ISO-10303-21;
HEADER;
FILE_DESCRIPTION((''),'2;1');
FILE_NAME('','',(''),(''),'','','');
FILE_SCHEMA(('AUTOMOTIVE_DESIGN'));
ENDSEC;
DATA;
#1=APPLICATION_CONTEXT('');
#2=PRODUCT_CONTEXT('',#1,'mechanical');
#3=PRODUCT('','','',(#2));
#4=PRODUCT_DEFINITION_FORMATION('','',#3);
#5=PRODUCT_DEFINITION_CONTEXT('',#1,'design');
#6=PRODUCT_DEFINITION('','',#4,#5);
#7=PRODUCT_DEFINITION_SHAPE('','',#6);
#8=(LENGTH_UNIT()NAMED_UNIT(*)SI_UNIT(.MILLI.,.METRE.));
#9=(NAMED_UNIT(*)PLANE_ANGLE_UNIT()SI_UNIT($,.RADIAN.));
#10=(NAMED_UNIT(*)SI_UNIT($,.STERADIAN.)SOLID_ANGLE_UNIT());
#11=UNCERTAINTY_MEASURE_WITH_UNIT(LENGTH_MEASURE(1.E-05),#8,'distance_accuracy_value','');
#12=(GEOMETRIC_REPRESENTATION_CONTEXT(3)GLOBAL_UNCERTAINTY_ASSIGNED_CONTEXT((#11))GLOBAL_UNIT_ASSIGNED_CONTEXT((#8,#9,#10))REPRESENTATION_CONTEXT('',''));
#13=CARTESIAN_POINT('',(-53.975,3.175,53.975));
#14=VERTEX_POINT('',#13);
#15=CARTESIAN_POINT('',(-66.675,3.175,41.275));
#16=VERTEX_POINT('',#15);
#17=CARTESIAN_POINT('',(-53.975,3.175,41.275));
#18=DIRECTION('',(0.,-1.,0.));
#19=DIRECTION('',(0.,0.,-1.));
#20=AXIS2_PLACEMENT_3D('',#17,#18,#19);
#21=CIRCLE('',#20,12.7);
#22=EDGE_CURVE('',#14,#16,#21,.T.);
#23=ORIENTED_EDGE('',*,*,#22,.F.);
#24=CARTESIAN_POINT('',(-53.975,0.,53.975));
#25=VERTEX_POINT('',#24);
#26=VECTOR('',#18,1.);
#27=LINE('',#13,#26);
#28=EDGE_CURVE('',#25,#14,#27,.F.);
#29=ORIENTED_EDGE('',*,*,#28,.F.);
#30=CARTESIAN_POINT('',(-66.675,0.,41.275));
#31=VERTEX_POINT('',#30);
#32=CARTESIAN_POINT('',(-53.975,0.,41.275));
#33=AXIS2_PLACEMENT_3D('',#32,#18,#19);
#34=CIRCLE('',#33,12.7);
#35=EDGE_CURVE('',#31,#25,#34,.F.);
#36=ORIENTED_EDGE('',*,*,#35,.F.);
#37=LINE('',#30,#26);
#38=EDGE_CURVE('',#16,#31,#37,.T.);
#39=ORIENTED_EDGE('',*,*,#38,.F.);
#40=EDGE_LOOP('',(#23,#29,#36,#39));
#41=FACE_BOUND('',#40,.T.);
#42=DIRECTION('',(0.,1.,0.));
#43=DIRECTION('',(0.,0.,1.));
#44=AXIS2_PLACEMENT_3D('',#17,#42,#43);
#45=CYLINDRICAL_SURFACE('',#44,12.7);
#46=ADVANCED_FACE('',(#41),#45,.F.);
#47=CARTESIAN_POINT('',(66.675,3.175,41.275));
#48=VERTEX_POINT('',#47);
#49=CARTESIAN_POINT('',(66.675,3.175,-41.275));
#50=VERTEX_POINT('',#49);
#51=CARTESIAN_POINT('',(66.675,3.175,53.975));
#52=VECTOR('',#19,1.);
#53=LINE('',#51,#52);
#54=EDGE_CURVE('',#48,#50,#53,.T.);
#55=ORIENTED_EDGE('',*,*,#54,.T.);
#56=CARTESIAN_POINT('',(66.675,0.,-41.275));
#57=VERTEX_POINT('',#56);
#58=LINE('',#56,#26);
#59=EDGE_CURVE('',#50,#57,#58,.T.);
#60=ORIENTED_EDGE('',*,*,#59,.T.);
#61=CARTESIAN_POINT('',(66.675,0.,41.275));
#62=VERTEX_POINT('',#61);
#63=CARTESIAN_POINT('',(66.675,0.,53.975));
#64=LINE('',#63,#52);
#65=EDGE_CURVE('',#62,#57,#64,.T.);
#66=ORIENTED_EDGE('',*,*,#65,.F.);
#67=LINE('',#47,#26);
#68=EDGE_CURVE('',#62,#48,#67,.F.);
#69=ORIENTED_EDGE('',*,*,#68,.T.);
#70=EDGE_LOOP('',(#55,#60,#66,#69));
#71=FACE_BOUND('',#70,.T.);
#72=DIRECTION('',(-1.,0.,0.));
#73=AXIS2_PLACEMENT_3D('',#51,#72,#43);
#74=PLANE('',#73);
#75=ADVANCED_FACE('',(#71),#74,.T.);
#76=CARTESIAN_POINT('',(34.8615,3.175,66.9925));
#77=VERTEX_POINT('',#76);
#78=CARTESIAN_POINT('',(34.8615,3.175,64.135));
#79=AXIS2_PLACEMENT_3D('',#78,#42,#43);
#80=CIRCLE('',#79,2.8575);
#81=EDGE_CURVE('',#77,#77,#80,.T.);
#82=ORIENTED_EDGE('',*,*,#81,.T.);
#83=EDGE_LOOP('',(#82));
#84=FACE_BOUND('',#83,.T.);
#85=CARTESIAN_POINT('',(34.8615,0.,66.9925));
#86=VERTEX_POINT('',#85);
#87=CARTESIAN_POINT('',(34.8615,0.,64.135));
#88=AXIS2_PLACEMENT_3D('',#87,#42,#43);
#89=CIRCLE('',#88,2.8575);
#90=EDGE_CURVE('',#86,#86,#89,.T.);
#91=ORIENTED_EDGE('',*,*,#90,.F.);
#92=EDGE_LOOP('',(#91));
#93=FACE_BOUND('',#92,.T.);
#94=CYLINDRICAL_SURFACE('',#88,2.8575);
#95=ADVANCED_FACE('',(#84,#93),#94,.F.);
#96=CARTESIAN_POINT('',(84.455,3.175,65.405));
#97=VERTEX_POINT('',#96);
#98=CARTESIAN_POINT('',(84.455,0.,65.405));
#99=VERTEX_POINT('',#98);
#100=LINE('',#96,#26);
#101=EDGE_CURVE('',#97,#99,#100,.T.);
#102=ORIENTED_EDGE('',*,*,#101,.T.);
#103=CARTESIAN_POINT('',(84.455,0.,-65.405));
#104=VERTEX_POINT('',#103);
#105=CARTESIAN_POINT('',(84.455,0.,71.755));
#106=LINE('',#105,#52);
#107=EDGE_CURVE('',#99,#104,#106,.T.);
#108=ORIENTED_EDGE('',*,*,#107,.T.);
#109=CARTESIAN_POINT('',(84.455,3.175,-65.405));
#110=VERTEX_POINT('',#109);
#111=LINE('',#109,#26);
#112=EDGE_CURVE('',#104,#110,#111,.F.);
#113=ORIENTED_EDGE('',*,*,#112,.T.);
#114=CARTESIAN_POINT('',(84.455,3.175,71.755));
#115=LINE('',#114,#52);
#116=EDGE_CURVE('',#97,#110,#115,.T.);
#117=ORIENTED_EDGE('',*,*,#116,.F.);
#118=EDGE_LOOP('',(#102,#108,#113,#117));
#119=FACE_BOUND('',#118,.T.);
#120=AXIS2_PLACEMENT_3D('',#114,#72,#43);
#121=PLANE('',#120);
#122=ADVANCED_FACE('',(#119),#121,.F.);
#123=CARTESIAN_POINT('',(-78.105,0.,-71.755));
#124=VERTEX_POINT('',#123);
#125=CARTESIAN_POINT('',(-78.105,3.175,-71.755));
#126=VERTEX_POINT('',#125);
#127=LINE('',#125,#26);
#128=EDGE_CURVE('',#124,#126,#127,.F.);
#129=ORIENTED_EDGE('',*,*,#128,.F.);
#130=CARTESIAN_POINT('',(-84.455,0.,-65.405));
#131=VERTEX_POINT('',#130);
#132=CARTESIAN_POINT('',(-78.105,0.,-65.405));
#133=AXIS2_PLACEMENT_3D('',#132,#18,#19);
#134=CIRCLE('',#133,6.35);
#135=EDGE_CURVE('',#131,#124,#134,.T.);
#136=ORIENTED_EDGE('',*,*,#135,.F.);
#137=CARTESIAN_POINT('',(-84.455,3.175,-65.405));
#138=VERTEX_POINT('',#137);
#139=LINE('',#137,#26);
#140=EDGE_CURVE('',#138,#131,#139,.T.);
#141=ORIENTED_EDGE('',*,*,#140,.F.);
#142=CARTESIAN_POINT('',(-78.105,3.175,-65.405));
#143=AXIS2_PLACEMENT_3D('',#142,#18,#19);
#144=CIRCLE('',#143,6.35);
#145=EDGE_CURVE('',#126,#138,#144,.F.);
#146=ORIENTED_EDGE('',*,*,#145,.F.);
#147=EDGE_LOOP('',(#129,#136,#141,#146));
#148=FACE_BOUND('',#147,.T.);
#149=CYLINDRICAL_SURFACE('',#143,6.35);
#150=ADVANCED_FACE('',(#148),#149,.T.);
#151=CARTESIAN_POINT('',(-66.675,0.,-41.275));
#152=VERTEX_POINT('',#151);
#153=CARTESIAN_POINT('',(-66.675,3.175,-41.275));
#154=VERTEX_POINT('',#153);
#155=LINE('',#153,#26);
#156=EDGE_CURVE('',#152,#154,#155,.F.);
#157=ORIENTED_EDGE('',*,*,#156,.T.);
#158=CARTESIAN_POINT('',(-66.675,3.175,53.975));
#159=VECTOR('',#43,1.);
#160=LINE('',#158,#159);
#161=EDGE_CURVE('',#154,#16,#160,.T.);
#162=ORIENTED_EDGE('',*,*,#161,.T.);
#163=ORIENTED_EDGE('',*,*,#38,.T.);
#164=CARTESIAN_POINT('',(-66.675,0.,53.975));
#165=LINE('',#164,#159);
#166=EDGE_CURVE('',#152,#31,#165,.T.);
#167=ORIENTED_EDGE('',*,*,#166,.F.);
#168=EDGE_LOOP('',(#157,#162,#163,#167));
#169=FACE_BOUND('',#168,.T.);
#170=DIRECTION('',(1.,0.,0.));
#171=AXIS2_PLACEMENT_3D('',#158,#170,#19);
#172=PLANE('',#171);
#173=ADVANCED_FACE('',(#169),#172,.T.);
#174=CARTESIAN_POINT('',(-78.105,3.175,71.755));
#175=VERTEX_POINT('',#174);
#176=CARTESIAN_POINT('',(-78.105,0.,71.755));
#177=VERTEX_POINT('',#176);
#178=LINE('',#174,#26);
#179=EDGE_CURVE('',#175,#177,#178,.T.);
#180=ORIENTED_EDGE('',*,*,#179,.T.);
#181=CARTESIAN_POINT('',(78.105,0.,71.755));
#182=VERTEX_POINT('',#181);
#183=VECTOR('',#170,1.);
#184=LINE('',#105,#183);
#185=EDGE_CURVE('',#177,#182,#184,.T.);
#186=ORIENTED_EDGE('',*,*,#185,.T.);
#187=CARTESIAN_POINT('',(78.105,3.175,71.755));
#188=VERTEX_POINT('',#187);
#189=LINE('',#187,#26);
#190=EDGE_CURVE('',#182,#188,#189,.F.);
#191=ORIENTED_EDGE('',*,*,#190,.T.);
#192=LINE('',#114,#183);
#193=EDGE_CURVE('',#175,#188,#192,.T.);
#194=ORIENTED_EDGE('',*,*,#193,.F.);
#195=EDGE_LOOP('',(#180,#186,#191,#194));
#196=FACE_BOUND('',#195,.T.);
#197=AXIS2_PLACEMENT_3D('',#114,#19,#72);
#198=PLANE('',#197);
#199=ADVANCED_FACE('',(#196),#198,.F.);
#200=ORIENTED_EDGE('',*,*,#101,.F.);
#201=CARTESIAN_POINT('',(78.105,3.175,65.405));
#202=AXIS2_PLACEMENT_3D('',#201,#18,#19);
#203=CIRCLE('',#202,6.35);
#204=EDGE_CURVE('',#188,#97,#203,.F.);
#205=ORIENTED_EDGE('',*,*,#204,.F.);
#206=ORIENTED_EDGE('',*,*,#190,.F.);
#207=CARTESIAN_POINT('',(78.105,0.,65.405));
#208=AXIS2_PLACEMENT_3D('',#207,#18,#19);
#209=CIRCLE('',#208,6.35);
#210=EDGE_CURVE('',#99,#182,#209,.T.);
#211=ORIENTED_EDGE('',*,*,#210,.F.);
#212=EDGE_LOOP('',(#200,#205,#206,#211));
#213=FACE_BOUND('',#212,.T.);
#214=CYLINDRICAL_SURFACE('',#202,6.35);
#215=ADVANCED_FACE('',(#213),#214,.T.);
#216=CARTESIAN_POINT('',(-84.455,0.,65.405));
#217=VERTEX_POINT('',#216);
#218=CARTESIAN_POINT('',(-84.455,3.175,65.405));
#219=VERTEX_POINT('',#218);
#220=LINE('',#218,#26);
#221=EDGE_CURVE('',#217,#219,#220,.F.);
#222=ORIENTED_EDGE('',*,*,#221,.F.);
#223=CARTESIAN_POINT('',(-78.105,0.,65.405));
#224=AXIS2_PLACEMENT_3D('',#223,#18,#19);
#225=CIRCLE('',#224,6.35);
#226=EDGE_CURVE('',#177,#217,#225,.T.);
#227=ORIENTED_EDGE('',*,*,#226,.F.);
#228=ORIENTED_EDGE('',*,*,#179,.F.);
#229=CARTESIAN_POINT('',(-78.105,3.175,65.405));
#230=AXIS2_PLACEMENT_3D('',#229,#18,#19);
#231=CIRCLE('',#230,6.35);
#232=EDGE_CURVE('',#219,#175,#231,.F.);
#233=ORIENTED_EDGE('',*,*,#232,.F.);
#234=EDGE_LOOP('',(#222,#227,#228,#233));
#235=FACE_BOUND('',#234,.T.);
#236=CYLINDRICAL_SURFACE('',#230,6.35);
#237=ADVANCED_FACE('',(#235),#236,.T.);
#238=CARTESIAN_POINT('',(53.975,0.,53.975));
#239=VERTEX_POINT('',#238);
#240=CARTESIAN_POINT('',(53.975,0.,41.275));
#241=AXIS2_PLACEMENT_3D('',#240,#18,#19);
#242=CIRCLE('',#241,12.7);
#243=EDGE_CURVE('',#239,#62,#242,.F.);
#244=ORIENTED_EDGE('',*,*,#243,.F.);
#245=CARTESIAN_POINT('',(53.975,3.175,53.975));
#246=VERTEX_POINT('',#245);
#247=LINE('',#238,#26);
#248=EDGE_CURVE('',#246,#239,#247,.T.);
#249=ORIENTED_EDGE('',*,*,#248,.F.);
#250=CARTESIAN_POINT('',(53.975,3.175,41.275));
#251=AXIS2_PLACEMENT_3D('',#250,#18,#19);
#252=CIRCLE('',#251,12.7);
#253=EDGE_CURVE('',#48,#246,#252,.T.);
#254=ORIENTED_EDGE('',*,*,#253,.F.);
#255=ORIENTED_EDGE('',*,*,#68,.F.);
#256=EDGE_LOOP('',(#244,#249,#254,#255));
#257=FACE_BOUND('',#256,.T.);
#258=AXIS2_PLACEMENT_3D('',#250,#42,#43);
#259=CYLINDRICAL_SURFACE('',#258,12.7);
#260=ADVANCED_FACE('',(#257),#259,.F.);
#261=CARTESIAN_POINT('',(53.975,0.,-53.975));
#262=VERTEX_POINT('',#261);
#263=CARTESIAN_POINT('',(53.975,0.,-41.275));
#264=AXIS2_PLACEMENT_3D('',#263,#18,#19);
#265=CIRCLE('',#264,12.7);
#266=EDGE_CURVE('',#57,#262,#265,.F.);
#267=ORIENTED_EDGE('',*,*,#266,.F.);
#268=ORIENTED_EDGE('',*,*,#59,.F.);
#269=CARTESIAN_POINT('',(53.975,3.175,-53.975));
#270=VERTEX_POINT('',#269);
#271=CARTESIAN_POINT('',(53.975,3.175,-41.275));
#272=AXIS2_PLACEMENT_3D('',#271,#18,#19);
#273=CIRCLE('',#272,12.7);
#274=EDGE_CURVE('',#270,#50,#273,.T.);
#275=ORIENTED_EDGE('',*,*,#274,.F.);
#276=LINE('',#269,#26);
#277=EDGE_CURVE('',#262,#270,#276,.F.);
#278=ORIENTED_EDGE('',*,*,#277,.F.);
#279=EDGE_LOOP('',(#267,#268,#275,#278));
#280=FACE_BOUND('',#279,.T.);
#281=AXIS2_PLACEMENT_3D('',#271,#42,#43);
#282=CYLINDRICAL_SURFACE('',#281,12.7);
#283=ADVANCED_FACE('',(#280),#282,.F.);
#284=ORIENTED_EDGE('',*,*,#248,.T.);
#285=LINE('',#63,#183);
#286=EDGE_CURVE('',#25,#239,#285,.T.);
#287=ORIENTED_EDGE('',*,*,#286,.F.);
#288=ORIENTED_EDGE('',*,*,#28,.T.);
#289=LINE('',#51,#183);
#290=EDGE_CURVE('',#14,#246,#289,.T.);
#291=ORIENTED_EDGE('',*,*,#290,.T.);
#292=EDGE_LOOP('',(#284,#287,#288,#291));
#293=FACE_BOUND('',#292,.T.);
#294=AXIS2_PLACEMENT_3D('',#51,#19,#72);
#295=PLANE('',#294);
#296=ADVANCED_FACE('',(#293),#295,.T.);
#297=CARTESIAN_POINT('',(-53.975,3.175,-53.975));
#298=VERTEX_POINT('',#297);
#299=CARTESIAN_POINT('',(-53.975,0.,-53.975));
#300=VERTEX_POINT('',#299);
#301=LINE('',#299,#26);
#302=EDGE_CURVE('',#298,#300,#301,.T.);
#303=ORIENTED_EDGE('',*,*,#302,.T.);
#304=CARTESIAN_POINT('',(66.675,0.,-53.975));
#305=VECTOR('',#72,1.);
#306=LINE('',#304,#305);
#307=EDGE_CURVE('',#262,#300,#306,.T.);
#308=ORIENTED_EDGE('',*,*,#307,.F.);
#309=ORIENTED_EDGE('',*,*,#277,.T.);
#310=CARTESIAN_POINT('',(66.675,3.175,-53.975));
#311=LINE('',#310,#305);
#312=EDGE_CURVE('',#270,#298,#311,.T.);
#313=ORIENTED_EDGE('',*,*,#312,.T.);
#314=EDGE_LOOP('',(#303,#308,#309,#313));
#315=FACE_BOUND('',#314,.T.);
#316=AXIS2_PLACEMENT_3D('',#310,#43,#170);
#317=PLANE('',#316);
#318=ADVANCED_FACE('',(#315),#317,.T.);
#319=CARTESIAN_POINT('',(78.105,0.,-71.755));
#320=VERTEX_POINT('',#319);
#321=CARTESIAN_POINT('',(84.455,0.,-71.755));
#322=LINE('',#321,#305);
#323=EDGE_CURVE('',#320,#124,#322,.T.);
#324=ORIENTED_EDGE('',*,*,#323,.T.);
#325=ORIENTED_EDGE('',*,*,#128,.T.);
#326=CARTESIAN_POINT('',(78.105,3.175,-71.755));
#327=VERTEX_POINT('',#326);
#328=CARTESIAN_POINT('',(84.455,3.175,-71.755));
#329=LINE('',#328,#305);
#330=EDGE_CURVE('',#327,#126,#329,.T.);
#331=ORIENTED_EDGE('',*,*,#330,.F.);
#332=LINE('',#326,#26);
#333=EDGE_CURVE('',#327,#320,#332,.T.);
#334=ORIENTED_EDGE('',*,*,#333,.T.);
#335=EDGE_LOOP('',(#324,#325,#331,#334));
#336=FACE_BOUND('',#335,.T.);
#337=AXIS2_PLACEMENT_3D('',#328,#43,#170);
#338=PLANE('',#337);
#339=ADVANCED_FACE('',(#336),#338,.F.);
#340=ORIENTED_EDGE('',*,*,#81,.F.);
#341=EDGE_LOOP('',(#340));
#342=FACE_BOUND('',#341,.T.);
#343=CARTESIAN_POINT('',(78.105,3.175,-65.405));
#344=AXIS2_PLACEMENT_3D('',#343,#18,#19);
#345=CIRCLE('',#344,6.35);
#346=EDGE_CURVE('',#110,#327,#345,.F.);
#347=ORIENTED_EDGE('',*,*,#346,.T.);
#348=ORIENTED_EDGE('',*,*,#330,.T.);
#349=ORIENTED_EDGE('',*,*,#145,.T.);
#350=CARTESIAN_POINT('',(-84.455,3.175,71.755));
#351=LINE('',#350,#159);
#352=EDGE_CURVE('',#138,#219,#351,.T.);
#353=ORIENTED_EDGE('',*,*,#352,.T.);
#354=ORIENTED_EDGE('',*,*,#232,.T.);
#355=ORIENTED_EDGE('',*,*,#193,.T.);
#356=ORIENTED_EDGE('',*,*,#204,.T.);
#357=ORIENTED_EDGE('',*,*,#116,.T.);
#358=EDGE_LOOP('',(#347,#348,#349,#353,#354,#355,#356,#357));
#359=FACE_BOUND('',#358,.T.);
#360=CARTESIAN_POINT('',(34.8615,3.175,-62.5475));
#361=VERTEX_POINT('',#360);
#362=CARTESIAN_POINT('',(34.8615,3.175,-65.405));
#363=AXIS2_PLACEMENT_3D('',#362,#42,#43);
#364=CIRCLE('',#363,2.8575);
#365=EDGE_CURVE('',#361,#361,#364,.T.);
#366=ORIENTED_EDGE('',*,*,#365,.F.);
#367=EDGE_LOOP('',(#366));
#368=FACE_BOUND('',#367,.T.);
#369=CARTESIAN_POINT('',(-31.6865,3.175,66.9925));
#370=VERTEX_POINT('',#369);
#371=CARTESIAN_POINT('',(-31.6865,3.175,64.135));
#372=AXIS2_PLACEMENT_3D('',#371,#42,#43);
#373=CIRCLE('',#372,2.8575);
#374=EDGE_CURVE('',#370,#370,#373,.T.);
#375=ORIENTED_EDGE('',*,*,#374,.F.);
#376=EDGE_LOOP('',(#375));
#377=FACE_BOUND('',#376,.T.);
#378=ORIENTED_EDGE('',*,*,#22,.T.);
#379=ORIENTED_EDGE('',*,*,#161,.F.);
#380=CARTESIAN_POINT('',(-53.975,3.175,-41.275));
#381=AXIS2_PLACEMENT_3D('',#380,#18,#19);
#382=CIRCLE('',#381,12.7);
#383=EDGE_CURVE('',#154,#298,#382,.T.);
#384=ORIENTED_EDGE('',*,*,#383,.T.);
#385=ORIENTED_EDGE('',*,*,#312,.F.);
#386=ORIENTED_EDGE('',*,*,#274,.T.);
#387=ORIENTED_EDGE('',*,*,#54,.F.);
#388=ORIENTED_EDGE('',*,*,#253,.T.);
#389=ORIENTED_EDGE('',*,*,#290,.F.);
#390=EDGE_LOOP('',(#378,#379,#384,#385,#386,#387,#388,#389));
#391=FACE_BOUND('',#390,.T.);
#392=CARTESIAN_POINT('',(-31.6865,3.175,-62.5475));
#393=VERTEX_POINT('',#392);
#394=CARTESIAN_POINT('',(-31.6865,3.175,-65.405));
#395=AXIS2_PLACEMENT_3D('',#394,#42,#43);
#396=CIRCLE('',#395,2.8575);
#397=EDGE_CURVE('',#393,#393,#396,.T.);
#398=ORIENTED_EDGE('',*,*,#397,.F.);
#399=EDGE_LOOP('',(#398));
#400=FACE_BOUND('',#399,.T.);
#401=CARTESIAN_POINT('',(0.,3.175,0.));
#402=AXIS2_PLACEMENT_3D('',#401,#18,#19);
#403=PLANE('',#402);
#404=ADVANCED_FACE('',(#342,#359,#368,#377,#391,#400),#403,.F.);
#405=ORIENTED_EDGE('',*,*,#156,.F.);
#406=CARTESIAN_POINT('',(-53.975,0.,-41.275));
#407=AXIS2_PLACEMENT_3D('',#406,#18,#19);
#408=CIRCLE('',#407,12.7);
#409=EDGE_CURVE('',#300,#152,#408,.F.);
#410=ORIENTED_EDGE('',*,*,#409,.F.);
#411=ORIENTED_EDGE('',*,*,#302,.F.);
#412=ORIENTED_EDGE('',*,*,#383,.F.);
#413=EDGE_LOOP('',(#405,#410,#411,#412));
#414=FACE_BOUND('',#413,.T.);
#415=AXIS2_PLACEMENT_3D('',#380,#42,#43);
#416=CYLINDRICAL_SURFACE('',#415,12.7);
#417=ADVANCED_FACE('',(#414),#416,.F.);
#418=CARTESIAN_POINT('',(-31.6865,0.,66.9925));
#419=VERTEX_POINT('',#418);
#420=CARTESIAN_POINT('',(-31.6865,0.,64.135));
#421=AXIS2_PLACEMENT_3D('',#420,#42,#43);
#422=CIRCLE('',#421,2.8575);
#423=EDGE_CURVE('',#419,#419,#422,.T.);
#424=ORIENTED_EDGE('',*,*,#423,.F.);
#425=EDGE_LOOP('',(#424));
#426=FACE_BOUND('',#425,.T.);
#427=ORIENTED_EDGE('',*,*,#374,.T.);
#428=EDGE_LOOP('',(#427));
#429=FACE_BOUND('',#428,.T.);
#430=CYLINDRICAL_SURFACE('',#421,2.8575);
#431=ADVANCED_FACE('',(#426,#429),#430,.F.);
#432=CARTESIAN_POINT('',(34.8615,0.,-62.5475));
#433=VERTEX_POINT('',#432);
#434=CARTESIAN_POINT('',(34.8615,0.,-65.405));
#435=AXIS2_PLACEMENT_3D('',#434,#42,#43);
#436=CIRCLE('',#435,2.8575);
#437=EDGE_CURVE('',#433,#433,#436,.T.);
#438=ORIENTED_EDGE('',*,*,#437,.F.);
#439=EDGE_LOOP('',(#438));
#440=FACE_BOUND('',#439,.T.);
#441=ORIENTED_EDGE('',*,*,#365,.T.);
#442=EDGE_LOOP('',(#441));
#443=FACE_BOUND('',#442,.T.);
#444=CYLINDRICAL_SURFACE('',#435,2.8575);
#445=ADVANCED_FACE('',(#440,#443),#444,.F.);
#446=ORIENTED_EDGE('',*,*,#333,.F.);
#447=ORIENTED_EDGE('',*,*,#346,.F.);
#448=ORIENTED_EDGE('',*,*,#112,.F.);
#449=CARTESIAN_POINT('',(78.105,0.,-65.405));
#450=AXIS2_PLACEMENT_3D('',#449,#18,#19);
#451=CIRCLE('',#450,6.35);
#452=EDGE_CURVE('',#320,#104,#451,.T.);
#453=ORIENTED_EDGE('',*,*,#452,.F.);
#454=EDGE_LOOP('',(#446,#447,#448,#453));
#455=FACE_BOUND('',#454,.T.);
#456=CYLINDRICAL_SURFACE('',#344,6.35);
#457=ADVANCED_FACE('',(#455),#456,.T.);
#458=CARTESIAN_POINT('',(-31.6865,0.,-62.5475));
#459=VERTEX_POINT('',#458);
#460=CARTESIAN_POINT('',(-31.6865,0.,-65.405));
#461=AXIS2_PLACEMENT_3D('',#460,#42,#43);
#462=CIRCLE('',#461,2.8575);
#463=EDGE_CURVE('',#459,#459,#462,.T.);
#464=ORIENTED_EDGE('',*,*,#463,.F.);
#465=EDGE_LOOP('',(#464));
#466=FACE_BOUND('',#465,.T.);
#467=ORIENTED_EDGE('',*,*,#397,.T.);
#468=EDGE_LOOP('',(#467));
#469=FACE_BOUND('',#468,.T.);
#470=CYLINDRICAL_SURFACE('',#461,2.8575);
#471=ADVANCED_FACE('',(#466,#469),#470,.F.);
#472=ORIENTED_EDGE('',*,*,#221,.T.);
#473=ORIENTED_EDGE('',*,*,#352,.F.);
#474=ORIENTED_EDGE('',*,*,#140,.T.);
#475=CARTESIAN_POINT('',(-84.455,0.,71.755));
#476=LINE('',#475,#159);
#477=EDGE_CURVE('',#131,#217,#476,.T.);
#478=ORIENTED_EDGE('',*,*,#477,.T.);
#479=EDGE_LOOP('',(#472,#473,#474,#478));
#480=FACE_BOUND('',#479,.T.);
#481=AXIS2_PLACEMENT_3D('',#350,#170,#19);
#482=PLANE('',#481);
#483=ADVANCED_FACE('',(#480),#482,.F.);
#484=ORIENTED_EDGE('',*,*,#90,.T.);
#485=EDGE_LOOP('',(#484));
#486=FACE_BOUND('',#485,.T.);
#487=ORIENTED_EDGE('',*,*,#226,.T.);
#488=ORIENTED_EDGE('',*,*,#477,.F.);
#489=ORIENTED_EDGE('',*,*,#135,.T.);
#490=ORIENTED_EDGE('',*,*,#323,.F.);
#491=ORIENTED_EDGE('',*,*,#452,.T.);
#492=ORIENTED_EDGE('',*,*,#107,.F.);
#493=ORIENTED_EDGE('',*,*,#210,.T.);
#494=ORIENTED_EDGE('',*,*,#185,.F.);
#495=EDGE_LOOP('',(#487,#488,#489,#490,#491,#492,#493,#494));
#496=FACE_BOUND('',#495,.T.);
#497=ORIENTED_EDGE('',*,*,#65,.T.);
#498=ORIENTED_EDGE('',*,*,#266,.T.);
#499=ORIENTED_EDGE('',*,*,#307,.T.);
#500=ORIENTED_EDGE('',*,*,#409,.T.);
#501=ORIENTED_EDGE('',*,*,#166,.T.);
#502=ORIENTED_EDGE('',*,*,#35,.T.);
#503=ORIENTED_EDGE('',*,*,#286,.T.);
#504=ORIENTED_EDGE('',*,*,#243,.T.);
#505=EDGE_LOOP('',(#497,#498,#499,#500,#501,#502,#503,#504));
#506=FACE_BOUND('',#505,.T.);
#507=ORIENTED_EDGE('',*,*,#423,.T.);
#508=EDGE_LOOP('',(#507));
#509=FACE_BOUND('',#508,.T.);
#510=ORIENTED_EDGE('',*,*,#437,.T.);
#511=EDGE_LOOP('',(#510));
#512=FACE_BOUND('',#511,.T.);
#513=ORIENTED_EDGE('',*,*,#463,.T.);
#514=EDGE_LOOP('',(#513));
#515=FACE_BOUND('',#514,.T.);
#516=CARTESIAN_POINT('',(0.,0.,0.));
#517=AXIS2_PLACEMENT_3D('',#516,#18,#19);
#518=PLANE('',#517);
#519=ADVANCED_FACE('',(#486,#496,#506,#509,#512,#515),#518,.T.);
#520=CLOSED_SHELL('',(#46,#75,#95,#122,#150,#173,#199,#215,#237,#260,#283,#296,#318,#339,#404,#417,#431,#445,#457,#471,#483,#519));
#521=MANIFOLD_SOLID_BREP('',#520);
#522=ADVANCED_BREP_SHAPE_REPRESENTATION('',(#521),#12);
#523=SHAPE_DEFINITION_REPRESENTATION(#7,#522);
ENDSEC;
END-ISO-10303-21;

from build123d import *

# Parameters (mm, degrees)
SKETCH1_W            = 168.91
SKETCH1_H            = 143.51
SKETCH1_W_2          = 133.35
SKETCH1_H_2          = 107.95
BOSS_EXTRUDE1_DEPTH  = 3.175
FILLET1_R            = 6.35
FILLET2_R            = 12.7
SKETCH2_R            = 2.8575
CUT_EXTRUDE1_DEPTH   = 4.175
LPATTERN1_COUNT      = 2
LPATTERN1_PITCH      = 66.548
LPATTERN1_COUNT_DIR2 = 2
LPATTERN1_PITCH_DIR2 = 129.54


with BuildPart() as part:
    # Sketch1 → Boss-Extrude1 (new body)
    with BuildSketch(Plane(origin=(0, 0, 0), x_dir=(1, 0, 0), z_dir=(0, 1, 0))):
        Rectangle(SKETCH1_W, SKETCH1_H)
        Rectangle(SKETCH1_W_2, SKETCH1_H_2, mode=Mode.SUBTRACT)
    extrude(amount=BOSS_EXTRUDE1_DEPTH)

    # Fillet1
    fillet1_edges = [part.edges().sort_by_distance(p)[0] for p in [
        (-84.455, 1.5875, 71.755),
        (-84.455, 1.5875, -71.755),
        (84.455, 1.5875, -71.755),
        (84.455, 1.5875, 71.755),
    ]]
    fillet(fillet1_edges, radius=FILLET1_R)

    # Fillet2
    fillet2_edges = [part.edges().sort_by_distance(p)[0] for p in [
        (-66.675, 1.5875, -53.975),
        (-66.675, 1.5875, 53.975),
        (66.675, 1.5875, 53.975),
        (66.675, 1.5875, -53.975),
    ]]
    fillet(fillet2_edges, radius=FILLET2_R)

    # Sketch2 → Cut-Extrude1 (cut, through all)
    with BuildSketch(Plane(origin=(0, 3.175, 0), x_dir=(1, 0, 0), z_dir=(0, 1, 0))):
        with Locations((-31.6865, 65.405)):
            Circle(SKETCH2_R)
    cut_extrude1 = extrude(amount=-CUT_EXTRUDE1_DEPTH, mode=Mode.SUBTRACT)

    # LPattern1: Cut-Extrude1 2 × 2
    with Locations(*[(i * LPATTERN1_PITCH, 0, j * LPATTERN1_PITCH_DIR2) for i in range(LPATTERN1_COUNT) for j in range(LPATTERN1_COUNT_DIR2) if (i, j) != (0, 0)]):
        add(cut_extrude1, mode=Mode.SUBTRACT)


solid = part.part
